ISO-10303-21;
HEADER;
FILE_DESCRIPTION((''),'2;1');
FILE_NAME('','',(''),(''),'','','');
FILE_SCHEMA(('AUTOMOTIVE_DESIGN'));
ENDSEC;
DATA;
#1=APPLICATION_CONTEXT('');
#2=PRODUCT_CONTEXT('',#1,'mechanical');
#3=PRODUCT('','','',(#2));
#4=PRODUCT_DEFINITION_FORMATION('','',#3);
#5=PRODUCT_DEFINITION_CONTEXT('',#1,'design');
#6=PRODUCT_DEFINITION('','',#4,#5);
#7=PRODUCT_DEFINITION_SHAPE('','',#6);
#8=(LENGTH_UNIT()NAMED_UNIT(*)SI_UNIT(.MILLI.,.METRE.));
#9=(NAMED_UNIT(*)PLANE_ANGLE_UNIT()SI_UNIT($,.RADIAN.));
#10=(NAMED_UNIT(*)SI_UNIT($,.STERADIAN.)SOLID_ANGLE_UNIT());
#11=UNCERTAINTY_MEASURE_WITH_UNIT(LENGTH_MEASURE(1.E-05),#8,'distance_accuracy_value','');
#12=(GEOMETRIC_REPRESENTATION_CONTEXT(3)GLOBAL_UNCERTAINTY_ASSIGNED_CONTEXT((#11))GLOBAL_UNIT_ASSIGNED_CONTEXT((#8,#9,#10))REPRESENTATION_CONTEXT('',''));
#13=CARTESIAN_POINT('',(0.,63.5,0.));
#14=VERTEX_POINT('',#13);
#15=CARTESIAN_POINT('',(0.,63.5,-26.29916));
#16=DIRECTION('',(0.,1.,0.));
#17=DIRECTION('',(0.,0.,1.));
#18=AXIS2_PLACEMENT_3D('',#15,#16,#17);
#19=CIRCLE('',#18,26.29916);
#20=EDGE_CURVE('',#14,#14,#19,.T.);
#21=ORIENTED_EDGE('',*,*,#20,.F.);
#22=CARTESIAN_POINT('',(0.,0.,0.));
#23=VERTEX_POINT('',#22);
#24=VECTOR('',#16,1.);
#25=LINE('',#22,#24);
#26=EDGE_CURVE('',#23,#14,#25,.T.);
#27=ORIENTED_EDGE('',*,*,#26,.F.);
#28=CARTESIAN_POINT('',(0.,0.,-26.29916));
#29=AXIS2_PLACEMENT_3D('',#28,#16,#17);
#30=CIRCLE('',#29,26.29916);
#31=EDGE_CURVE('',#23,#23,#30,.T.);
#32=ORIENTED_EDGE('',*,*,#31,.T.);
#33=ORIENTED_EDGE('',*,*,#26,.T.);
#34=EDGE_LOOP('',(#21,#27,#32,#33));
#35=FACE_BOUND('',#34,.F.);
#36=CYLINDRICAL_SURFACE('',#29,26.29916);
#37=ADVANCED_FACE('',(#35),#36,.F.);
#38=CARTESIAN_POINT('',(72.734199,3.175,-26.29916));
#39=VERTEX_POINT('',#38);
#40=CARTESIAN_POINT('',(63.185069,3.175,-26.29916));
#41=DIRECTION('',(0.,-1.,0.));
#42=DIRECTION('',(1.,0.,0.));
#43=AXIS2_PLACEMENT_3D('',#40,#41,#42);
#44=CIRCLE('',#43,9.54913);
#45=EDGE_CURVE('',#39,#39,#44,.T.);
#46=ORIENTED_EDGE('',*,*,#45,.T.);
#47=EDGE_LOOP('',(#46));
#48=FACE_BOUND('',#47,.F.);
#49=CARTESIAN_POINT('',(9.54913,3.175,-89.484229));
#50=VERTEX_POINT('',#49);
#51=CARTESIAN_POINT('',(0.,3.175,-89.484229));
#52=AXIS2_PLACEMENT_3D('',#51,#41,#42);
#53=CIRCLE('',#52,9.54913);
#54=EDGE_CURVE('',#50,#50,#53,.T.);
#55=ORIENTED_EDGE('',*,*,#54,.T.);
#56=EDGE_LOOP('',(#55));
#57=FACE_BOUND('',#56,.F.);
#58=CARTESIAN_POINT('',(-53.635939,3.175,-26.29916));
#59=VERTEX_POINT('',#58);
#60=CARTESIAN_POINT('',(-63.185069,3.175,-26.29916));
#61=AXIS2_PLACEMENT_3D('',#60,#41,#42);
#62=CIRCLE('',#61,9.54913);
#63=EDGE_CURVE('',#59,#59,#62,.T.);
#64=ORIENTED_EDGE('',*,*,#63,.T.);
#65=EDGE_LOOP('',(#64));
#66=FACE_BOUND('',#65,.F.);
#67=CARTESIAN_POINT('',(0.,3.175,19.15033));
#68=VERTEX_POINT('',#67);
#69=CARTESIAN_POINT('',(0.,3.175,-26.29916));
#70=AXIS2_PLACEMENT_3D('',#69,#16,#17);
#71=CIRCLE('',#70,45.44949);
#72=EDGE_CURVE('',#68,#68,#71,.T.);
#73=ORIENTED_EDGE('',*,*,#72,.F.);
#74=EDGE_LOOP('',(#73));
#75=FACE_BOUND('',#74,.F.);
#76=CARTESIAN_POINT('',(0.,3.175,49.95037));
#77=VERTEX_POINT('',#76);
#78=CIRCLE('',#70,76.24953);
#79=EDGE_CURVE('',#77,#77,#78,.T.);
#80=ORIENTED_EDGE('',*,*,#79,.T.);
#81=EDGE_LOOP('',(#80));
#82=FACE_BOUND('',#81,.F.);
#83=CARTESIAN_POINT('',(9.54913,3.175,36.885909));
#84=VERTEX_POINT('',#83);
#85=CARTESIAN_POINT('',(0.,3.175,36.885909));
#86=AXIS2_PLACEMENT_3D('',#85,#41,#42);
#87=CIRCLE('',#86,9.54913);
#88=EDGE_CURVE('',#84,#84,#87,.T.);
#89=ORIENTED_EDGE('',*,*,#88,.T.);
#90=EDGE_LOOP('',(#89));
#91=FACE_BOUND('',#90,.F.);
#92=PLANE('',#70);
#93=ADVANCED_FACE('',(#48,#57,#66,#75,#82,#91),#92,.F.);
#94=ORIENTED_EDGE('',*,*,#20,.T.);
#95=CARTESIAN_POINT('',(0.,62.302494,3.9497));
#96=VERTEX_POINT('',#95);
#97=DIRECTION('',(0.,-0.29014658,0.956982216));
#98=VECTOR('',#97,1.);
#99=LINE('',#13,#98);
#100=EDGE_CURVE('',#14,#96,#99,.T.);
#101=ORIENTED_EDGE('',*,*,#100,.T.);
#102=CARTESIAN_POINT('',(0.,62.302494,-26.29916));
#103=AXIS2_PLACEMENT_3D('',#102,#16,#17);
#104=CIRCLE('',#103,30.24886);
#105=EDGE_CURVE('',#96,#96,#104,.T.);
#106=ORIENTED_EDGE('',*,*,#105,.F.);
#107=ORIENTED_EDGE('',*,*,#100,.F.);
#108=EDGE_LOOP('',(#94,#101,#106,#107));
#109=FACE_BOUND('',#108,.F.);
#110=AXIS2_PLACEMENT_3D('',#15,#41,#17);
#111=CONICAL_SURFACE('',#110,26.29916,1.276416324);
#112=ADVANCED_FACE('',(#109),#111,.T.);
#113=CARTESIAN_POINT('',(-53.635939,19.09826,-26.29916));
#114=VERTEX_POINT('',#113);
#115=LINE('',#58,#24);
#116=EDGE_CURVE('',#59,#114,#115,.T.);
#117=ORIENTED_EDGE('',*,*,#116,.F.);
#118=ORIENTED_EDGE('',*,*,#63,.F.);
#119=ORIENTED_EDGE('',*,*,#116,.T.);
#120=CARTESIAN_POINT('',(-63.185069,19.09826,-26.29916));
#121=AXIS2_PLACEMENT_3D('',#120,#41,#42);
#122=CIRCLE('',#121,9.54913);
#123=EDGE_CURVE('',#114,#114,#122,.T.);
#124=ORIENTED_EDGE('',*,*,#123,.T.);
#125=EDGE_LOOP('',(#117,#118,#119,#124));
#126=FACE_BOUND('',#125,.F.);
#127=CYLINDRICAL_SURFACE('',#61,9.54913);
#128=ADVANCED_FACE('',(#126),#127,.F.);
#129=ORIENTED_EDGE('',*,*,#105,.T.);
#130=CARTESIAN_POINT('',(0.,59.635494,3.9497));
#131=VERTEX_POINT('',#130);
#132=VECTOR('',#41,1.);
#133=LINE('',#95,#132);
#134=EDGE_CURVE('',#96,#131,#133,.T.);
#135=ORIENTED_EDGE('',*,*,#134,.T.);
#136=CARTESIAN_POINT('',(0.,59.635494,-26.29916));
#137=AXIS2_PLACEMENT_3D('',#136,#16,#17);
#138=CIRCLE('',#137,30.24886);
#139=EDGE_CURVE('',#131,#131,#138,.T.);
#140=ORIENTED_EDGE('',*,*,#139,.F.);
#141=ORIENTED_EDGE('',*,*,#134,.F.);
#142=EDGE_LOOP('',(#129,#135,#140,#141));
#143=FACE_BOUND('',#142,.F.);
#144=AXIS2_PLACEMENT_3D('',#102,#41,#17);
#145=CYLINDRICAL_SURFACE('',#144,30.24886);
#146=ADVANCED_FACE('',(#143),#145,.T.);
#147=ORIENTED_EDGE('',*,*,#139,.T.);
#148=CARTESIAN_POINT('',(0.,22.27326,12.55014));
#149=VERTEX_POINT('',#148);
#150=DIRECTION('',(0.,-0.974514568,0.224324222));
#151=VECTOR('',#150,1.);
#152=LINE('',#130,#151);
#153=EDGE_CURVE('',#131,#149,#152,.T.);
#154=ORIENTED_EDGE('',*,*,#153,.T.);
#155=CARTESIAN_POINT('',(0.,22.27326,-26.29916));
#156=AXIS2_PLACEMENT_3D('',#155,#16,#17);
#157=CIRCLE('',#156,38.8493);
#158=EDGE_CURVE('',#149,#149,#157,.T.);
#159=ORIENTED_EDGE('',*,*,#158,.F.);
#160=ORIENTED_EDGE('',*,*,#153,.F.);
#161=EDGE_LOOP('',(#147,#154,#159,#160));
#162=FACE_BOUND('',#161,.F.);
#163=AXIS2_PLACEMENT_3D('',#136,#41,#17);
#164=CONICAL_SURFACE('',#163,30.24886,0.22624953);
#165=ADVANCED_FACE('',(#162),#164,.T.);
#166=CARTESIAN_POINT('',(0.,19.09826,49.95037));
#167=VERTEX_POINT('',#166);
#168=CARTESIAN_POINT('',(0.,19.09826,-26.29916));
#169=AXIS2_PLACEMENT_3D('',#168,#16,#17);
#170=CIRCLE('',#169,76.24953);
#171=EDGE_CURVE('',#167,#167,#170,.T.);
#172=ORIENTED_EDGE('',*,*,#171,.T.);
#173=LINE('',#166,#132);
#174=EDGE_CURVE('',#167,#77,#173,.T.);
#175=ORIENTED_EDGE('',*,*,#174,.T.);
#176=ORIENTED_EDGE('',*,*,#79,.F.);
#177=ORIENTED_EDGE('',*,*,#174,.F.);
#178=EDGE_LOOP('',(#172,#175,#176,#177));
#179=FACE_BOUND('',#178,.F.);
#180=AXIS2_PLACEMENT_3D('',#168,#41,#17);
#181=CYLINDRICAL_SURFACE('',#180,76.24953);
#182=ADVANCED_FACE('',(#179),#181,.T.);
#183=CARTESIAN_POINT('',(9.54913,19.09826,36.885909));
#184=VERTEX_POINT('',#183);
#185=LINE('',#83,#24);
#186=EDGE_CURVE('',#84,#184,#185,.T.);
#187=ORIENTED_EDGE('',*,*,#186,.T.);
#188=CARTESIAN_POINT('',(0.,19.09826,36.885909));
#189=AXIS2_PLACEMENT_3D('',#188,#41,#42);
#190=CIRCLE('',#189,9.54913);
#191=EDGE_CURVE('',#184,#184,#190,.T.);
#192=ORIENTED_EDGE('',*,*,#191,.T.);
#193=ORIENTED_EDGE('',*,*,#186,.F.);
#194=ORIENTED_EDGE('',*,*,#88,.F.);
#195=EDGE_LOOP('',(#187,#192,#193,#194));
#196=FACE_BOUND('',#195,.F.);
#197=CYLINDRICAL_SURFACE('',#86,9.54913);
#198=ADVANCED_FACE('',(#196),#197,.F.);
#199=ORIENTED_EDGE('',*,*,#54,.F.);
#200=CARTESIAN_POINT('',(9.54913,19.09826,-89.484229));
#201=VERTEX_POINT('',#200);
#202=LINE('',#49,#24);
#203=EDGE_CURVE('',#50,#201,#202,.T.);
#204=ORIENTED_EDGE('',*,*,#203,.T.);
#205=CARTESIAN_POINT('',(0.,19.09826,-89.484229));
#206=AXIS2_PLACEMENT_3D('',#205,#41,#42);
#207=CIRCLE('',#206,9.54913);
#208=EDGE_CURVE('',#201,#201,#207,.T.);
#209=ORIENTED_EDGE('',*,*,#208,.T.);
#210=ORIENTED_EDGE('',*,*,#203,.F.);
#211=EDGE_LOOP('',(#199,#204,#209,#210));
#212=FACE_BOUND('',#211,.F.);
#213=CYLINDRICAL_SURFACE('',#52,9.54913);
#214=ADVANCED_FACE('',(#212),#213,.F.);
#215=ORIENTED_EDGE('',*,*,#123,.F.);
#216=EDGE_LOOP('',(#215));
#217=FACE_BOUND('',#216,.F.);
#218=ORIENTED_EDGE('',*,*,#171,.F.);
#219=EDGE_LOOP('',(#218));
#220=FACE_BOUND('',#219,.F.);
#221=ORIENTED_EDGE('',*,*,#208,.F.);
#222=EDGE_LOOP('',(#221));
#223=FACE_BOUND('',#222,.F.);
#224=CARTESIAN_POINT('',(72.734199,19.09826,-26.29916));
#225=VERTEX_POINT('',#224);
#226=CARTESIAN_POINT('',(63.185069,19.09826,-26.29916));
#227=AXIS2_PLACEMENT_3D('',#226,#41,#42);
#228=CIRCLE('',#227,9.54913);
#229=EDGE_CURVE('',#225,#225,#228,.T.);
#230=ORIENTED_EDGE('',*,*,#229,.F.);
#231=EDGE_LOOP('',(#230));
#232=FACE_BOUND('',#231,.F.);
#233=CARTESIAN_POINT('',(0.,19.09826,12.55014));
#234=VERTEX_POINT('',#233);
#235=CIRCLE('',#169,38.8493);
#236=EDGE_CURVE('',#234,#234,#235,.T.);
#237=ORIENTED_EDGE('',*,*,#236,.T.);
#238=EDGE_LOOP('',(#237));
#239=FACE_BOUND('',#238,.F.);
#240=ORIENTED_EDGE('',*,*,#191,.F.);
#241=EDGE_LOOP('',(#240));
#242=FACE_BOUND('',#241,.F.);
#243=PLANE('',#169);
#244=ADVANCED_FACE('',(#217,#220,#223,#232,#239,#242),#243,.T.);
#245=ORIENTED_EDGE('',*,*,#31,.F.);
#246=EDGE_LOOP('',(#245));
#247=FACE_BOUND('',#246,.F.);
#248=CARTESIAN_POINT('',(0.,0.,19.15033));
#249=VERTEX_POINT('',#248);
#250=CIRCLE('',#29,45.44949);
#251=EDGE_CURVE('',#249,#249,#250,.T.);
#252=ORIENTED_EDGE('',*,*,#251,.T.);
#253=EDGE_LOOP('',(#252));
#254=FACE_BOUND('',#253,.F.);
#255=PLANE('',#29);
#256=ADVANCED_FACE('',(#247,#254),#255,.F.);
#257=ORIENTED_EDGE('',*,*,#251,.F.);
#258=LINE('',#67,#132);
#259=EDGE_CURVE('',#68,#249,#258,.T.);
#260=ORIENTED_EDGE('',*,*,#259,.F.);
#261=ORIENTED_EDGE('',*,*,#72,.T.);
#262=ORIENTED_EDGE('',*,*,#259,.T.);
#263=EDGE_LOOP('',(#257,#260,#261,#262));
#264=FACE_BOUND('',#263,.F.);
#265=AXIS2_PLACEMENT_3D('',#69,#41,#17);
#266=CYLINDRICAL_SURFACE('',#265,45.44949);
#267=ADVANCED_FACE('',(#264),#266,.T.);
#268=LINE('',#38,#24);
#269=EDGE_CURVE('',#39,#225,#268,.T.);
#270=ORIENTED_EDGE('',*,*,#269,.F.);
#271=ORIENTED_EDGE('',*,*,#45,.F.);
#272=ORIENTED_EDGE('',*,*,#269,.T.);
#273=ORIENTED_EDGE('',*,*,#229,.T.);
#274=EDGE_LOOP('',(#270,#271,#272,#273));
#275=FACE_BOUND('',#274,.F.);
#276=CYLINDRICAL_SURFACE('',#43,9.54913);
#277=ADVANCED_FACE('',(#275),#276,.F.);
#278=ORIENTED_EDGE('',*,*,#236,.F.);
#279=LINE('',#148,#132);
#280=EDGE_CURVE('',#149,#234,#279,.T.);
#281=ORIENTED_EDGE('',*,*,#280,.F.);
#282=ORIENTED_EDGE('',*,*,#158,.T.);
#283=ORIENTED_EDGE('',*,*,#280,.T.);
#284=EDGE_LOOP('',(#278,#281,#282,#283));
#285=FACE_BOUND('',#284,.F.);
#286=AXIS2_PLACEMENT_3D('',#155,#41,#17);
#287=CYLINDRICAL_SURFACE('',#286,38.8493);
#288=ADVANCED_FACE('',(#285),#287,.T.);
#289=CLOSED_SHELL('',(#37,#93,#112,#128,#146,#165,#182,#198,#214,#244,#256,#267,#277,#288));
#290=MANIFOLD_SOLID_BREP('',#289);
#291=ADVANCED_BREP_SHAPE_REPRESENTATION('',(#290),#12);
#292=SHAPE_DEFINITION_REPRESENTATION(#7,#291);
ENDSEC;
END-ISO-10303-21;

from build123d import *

# Parameters (mm, degrees)
F2_R     = 9.54913
F3_DEPTH = 60.326


with BuildPart() as f1:
    # F0 (on Right) → F1 (revolve)
    with BuildSketch(Plane.YZ):
        Polygon((0, 19.15033), (0, 0), (63.5, 0), (62.302494, 3.9497), (59.635494, 3.9497), (22.27326, 12.55014), (19.09826, 12.55014), (19.09826, 49.95037), (3.175, 49.95037), (3.175, 19.15033), align=None)
    revolve(axis=Axis((0, 4.994582, -26.29916), (0, 1, 0)))

    # F2 (on face) → F3 (cut, through all)
    with BuildSketch(Plane.XZ.offset(-3.175)):
        with Locations((0, 36.885909)):
            Circle(F2_R)
        with Locations((63.185069, -26.29916)):
            Circle(F2_R)
        with Locations((0, -89.484229)):
            Circle(F2_R)
        with Locations((-63.185069, -26.29916)):
            Circle(F2_R)
    extrude(amount=-F3_DEPTH, mode=Mode.SUBTRACT)


solid = f1.part
